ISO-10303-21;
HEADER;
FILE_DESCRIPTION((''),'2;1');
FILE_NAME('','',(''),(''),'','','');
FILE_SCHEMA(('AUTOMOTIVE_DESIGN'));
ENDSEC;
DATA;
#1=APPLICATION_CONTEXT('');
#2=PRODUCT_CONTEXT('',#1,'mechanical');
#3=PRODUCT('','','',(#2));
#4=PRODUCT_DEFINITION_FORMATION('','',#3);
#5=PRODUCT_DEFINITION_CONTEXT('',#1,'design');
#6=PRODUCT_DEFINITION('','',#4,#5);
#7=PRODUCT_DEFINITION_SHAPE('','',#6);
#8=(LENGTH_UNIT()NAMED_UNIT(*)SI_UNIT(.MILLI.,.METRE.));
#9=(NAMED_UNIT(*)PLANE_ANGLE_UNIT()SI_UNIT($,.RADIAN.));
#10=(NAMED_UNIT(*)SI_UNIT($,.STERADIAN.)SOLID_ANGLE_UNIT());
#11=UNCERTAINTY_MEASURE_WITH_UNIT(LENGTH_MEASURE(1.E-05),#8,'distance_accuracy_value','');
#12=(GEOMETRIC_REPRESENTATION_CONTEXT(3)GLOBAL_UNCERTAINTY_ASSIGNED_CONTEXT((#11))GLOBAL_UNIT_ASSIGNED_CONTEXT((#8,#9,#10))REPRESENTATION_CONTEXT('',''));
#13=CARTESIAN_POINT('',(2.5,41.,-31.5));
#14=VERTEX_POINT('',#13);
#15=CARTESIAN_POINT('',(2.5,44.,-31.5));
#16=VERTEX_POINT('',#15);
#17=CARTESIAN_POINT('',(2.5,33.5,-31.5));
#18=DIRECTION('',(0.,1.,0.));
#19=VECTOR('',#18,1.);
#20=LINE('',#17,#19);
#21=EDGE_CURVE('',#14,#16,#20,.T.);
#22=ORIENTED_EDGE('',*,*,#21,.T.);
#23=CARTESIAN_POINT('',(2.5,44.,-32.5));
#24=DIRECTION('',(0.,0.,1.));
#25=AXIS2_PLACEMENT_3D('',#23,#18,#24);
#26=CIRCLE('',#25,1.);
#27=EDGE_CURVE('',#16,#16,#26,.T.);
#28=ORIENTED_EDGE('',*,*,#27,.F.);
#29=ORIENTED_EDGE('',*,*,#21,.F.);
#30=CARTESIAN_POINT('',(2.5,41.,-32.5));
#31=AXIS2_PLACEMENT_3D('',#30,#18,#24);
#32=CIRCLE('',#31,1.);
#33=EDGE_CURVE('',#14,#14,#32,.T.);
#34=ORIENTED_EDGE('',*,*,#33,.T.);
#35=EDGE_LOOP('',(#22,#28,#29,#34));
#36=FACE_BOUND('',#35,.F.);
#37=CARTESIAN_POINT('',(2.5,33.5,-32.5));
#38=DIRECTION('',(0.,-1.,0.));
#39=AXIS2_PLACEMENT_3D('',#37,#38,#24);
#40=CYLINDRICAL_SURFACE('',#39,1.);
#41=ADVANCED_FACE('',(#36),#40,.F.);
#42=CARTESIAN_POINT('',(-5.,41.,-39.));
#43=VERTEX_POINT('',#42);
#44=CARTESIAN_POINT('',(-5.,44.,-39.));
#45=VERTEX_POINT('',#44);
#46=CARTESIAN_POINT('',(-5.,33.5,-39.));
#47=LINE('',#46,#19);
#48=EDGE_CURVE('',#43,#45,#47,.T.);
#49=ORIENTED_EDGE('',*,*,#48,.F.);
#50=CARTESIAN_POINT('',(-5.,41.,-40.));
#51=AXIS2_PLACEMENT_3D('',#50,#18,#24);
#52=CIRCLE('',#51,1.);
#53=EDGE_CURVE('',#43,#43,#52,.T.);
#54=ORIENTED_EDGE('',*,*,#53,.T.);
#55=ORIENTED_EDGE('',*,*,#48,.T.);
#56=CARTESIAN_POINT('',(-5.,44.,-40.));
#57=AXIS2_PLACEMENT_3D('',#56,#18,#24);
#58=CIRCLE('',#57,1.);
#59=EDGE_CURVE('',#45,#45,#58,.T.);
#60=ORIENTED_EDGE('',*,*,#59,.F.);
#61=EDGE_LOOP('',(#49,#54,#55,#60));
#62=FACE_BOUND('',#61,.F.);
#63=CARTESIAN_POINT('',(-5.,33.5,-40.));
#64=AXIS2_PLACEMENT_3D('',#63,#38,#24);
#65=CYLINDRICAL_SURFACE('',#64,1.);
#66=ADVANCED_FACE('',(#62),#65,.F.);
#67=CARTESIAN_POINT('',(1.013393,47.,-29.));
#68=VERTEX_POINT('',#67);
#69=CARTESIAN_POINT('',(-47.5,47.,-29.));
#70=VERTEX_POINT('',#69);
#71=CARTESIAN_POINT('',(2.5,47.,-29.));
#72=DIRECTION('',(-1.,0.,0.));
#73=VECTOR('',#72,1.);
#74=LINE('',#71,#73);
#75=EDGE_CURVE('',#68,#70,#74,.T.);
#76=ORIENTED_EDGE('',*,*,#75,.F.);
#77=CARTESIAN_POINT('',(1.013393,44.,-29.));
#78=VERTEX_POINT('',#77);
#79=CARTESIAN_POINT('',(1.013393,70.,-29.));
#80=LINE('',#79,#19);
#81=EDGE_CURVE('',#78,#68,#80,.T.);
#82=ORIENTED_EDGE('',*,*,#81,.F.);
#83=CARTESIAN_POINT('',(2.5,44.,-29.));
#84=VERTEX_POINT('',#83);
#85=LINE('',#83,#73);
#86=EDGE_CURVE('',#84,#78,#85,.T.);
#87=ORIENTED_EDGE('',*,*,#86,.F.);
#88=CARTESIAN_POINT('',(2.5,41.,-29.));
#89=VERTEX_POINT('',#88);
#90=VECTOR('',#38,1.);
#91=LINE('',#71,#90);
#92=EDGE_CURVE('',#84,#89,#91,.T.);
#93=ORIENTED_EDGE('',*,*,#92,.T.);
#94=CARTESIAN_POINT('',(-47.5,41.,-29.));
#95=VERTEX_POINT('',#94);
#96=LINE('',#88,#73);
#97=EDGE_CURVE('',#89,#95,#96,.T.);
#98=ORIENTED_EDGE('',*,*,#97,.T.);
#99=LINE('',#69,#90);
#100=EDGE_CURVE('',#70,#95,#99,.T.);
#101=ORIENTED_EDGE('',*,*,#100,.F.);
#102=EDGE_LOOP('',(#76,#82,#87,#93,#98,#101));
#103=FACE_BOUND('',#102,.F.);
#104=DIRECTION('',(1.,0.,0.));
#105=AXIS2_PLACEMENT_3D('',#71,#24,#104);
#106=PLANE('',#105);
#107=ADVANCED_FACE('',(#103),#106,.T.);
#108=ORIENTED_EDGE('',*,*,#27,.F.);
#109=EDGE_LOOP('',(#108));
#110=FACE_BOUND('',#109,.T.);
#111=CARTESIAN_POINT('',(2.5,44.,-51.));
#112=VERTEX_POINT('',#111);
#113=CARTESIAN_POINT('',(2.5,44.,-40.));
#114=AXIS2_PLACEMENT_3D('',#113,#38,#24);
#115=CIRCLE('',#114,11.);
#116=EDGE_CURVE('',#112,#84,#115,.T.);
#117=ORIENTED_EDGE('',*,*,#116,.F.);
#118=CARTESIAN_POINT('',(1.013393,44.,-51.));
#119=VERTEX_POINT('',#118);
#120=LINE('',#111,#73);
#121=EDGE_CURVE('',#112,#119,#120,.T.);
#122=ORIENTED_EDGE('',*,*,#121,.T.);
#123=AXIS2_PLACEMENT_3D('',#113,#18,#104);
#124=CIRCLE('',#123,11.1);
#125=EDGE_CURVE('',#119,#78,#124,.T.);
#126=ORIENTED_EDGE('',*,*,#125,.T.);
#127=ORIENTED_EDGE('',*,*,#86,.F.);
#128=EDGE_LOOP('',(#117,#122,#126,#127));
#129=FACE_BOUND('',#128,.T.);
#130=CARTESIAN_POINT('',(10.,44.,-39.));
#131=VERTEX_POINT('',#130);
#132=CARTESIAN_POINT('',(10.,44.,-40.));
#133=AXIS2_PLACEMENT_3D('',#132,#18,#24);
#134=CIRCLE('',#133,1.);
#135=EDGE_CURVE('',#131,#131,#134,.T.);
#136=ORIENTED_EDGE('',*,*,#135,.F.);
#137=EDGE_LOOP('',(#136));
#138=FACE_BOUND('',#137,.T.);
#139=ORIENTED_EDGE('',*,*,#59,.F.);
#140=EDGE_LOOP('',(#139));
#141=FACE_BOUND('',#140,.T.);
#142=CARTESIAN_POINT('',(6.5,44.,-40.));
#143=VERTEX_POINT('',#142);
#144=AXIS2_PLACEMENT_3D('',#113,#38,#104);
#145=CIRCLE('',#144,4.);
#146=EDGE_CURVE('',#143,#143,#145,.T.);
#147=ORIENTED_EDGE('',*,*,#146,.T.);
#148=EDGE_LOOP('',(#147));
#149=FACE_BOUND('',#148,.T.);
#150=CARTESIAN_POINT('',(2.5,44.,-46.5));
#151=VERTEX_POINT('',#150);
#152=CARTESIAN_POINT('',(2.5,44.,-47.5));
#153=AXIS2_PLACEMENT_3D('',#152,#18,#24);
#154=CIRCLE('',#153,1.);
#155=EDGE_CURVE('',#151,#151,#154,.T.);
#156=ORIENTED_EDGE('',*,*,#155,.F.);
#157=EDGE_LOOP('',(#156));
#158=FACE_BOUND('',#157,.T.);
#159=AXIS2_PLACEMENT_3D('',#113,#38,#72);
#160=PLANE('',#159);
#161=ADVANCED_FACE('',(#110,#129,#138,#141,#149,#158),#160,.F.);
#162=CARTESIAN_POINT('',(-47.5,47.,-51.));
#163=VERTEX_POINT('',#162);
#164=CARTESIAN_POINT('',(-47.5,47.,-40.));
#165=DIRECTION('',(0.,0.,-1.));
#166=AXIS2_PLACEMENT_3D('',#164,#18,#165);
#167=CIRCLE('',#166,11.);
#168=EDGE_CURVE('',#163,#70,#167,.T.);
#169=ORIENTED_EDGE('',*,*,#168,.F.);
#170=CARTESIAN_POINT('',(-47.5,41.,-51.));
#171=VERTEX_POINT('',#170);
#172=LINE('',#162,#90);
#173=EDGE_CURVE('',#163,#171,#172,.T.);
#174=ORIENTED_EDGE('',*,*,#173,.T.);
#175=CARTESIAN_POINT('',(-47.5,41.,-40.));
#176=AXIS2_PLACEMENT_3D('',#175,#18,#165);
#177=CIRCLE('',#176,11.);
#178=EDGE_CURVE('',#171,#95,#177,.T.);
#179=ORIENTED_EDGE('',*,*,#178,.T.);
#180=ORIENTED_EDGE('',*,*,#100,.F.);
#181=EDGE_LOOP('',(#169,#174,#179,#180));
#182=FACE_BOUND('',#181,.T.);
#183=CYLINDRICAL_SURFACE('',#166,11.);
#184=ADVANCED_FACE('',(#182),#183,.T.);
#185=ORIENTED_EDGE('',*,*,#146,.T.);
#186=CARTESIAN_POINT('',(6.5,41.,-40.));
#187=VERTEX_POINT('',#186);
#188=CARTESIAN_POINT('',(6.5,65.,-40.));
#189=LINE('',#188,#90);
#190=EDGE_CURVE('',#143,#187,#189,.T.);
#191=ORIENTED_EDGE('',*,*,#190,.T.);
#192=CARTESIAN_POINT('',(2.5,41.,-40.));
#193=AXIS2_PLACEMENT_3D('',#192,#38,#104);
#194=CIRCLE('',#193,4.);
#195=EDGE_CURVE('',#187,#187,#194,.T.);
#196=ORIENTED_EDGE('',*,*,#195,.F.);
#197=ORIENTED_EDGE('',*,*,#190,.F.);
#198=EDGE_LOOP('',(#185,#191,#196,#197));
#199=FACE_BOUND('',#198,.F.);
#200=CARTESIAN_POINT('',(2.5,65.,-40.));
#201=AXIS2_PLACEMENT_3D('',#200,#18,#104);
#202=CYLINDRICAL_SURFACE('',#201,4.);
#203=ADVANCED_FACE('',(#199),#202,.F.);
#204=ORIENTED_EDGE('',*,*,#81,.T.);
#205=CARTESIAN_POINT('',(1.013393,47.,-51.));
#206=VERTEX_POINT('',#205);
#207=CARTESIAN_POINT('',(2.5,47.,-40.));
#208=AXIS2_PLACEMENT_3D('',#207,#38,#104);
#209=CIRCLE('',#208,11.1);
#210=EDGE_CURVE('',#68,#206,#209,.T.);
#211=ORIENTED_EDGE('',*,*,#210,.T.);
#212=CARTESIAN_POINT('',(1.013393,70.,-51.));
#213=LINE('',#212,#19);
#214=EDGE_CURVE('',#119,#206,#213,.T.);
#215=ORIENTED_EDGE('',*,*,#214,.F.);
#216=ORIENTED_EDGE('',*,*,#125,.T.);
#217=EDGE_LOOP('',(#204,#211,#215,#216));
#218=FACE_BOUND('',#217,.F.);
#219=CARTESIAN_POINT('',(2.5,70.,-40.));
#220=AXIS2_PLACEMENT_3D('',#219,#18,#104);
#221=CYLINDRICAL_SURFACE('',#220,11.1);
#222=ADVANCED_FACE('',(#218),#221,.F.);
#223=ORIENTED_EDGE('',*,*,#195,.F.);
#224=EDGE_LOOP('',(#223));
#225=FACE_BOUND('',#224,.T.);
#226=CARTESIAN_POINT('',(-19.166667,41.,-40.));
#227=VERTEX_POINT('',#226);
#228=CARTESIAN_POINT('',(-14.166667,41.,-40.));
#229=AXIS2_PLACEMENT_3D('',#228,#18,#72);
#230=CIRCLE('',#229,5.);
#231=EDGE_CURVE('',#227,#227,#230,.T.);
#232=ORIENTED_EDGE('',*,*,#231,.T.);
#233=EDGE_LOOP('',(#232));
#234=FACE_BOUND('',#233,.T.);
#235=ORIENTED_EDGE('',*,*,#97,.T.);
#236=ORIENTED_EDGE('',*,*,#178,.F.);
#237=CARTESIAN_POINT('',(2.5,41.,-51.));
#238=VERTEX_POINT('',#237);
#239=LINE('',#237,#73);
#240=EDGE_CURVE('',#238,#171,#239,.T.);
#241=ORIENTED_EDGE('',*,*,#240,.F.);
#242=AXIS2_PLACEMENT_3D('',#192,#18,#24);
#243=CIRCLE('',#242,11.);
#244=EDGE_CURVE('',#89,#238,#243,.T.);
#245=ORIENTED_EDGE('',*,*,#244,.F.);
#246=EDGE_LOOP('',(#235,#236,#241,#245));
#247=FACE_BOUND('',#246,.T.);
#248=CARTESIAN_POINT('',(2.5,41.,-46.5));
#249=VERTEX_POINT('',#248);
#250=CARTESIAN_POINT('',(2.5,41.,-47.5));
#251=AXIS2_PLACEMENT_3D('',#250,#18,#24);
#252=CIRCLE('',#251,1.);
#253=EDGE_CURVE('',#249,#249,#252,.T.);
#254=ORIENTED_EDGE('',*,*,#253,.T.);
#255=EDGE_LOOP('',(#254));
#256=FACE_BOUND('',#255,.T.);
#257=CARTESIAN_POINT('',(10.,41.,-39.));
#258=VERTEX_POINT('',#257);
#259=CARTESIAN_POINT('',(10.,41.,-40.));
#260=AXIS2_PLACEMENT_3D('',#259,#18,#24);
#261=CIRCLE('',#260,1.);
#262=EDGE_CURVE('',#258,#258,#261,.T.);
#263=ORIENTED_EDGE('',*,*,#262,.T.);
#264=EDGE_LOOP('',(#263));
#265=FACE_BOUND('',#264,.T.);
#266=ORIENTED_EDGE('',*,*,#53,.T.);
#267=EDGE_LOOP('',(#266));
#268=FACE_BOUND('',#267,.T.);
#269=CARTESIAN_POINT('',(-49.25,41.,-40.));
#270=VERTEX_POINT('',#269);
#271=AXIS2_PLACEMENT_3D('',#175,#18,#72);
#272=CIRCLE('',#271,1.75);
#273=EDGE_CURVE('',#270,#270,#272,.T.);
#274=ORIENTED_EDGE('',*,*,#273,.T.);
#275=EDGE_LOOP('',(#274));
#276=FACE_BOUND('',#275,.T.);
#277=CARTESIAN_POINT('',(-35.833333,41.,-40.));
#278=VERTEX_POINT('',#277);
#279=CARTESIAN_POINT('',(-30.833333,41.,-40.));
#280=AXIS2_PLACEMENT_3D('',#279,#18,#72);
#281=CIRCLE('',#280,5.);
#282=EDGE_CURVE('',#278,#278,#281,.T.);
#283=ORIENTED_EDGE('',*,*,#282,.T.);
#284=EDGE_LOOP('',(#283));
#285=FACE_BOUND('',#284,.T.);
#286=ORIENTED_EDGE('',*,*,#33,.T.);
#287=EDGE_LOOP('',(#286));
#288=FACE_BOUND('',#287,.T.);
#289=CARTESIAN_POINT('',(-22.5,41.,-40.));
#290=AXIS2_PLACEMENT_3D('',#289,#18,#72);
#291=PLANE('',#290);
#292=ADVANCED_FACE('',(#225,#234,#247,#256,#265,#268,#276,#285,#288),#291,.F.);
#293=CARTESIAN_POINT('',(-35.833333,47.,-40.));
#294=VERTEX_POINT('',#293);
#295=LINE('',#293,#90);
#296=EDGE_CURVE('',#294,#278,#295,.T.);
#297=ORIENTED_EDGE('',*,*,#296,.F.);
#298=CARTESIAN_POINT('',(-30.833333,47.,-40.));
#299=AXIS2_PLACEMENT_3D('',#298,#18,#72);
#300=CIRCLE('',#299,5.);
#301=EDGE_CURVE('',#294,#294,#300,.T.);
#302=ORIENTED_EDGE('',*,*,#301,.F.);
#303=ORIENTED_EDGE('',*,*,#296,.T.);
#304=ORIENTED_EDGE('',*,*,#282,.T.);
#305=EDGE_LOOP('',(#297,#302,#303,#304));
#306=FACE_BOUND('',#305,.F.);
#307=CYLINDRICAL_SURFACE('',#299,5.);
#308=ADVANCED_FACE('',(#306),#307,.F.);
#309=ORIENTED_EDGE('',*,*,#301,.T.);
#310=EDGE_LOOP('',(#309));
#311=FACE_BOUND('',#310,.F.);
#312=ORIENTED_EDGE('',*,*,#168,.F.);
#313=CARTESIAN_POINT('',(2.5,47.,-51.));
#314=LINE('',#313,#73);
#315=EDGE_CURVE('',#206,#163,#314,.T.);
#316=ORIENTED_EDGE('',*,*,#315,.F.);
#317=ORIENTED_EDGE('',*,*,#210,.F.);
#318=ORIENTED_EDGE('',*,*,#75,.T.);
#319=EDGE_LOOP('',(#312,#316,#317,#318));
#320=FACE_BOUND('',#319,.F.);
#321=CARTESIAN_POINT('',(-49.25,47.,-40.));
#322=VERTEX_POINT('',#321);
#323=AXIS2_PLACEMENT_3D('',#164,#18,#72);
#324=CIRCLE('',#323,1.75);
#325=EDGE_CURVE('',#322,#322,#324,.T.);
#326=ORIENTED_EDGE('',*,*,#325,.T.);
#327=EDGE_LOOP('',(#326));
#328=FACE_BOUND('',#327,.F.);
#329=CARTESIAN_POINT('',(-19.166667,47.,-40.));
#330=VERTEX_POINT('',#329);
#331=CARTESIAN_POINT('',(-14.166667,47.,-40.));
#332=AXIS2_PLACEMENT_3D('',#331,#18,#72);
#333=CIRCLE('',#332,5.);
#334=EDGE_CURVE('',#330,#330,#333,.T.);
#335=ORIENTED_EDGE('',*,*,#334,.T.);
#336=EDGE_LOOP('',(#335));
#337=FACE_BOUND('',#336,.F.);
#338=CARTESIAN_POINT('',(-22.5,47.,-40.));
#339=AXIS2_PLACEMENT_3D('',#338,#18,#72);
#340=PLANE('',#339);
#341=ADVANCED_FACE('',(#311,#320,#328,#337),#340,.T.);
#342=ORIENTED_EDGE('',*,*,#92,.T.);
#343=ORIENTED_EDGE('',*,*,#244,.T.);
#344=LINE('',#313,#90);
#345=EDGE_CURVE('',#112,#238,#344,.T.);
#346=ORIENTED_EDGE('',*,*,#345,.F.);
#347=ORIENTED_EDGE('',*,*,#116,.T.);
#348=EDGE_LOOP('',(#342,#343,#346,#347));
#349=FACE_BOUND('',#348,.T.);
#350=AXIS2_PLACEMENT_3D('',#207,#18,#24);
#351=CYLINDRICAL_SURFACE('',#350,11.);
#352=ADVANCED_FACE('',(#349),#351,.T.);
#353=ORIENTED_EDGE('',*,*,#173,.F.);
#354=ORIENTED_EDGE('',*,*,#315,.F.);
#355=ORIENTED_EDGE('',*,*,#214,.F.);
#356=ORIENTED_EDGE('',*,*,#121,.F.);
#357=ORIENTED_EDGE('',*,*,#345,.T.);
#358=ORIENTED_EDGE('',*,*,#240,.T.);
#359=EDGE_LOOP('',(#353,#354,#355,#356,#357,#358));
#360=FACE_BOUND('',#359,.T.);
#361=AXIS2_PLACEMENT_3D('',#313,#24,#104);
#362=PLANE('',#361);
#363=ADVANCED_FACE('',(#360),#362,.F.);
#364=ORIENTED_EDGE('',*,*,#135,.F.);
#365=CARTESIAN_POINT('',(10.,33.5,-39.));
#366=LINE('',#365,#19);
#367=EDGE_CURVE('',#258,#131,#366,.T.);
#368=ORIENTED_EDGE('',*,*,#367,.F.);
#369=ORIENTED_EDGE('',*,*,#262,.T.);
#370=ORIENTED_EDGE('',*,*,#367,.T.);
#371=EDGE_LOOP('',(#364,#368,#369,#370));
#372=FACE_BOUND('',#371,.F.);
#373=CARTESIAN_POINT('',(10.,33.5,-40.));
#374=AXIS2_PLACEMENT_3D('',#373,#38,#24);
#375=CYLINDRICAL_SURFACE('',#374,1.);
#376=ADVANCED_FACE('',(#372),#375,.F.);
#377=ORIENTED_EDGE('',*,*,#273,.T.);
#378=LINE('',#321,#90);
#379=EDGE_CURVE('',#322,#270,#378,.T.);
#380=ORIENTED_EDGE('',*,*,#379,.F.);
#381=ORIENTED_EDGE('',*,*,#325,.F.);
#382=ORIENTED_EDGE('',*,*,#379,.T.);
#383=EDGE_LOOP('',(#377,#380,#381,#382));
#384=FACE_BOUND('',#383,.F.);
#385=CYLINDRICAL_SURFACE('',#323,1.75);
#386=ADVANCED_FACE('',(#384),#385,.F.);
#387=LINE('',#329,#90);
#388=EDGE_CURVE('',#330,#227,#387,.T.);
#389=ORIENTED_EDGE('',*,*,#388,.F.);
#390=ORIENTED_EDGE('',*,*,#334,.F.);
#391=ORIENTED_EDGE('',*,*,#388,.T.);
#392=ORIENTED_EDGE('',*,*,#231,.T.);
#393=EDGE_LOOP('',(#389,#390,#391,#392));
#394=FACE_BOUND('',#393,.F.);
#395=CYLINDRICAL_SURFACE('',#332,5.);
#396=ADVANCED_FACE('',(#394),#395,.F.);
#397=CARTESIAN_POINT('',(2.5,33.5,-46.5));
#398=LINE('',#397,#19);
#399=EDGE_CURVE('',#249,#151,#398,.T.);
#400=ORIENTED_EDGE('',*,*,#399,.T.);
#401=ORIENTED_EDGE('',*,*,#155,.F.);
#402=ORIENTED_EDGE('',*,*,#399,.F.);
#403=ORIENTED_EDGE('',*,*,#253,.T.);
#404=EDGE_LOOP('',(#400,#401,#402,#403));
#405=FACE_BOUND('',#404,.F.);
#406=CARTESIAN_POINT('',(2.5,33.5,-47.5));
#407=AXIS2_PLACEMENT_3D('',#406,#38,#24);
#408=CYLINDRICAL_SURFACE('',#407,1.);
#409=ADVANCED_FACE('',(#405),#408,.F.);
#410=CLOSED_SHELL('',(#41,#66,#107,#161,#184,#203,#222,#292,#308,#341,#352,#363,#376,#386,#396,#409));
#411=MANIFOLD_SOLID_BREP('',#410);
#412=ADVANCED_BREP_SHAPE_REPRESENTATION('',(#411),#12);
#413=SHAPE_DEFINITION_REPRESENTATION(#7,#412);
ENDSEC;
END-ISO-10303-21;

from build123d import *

# Parameters (mm, degrees)
CYLINDER020_R             = 11.1
CYLINDER020_DEPTH         = 26
CYLINDER019_R             = 4
CYLINDER019_DEPTH         = 43
CYLINDER021_R             = 1
CYLINDER021_DEPTH         = 31
CYLINDER024_R             = 1
CYLINDER024_DEPTH         = 31
CYLINDER023_R             = 1
CYLINDER023_DEPTH         = 31
CYLINDER022_R             = 1
CYLINDER022_DEPTH         = 31
FUSION002_ROLL_ANGLE      = -90
FUSION003_PLACEMENT_ANGLE = 180
SKETCH_R                  = 5
SKETCH_R_2                = 1.75
PAD_DEPTH                 = 6
CUT_PITCH_ANGLE           = 90


with BuildPart() as cylinder141:
    # Cylinder020 → Cylinder020 (new body)
    with BuildSketch(Plane(origin=(-3, 71, 73), x_dir=(0, 0, 1), z_dir=(0, -1, 0))):
        Circle(CYLINDER020_R)
    extrude(amount=CYLINDER020_DEPTH)


with BuildPart() as fusion001:
    # Cylinder019 → Cylinder019 (new body)
    with BuildSketch(Plane(origin=(-3, 66, 73), x_dir=(0, 0, 1), z_dir=(0, -1, 0))):
        Circle(CYLINDER019_R)
    extrude(amount=CYLINDER019_DEPTH)

    # Fusion001: union Cylinder141
    add(cylinder141.part)


with BuildPart() as cylinder096:
    # Cylinder021 → Cylinder021 (new body)
    with BuildSketch(Plane(origin=(-7.5, -11, 132), x_dir=(1, 0, 0), z_dir=(0, 0, 1))):
        Circle(CYLINDER021_R)
    extrude(amount=CYLINDER021_DEPTH)


with BuildPart() as cylinder146:
    # Cylinder024 → Cylinder024 (new body)
    with BuildSketch(Plane(origin=(0, -3.5, 132), x_dir=(1, 0, 0), z_dir=(0, 0, 1))):
        Circle(CYLINDER024_R)
    extrude(amount=CYLINDER024_DEPTH)


with BuildPart() as cylinder145:
    # Cylinder023 → Cylinder023 (new body)
    with BuildSketch(Plane(origin=(7.5, -11, 132), x_dir=(1, 0, 0), z_dir=(0, 0, 1))):
        Circle(CYLINDER023_R)
    extrude(amount=CYLINDER023_DEPTH)


with BuildPart() as fusion003:
    # Cylinder022 → Cylinder022 (new body)
    with BuildSketch(Plane(origin=(0, -18.5, 132), x_dir=(1, 0, 0), z_dir=(0, 0, 1))):
        Circle(CYLINDER022_R)
    extrude(amount=CYLINDER022_DEPTH)

    # Fusion002: union Cylinder096, Cylinder146, Cylinder145
    add(cylinder096.part)
    add(cylinder146.part)
    add(cylinder145.part)


with BuildPart() as fusion003_1:
    # Fusion002 roll: moved
    add(fusion003.part.rotate(Axis((0, 0, 0), (1, 0, 0)), FUSION002_ROLL_ANGLE))


with BuildPart() as fusion003_2:
    # Fusion002 placement: moved
    add(fusion003_1.part.moved(Location((-3, -97.5, 62))))

    # Fusion003: union Fusion001
    add(fusion001.part)


with BuildPart() as fusion003_3:
    # Fusion003 placement: moved
    add(fusion003_2.part.moved(Location((-0.5, 88, -87))).rotate(Axis((-0.5, 88, -87), (0, 0, 1)), FUSION003_PLACEMENT_ANGLE))


with BuildPart() as clone_of_cut:
    # Sketch → Pad (new body)
    with BuildSketch(Plane(origin=(-11.5, 40, -16.5), x_dir=(0, 0, -1), z_dir=(0, 1, 0))):
        with BuildLine():
            Line((-2.5, -3), (47.5, -3))
            ThreePointArc((47.5, -25), (58.5, -14), (47.5, -3))
            Line((-2.5, -25), (47.5, -25))
            ThreePointArc((-2.5, -3), (-13.5, -14), (-2.5, -25))
        make_face()
        with Locations((14.166667, -14)):
            Circle(SKETCH_R, mode=Mode.SUBTRACT)
        with Locations((30.833333, -14)):
            Circle(SKETCH_R, mode=Mode.SUBTRACT)
        with Locations((47.5, -14)):
            Circle(SKETCH_R_2, mode=Mode.SUBTRACT)
    extrude(amount=PAD_DEPTH)

    # Cut: cut Fusion003
    add(fusion003_3.part, mode=Mode.SUBTRACT)


with BuildPart() as clone_of_cut_1:
    # Cut pitch: moved
    add(clone_of_cut.part.rotate(Axis((0, 0, 0), (0, 1, 0)), CUT_PITCH_ANGLE))


with BuildPart() as clone_of_cut_2:
    # Cut placement: moved
    add(clone_of_cut_1.part.moved(Location((16.5, -87, -15))))


with BuildPart() as clone_of_cut_3:
    # Clone010 placement: moved
    add(clone_of_cut_2.part.moved(Location((0, 0, -22.5))))


with BuildPart() as part_mirroring026:
    # Part__Mirroring026: instance of Clone of Cut
    add(clone_of_cut_3.part.mirror(Plane(origin=(0, 0, 0), x_dir=(1, 0, 0), z_dir=(0, 1, 0))))


solid = part_mirroring026.part
